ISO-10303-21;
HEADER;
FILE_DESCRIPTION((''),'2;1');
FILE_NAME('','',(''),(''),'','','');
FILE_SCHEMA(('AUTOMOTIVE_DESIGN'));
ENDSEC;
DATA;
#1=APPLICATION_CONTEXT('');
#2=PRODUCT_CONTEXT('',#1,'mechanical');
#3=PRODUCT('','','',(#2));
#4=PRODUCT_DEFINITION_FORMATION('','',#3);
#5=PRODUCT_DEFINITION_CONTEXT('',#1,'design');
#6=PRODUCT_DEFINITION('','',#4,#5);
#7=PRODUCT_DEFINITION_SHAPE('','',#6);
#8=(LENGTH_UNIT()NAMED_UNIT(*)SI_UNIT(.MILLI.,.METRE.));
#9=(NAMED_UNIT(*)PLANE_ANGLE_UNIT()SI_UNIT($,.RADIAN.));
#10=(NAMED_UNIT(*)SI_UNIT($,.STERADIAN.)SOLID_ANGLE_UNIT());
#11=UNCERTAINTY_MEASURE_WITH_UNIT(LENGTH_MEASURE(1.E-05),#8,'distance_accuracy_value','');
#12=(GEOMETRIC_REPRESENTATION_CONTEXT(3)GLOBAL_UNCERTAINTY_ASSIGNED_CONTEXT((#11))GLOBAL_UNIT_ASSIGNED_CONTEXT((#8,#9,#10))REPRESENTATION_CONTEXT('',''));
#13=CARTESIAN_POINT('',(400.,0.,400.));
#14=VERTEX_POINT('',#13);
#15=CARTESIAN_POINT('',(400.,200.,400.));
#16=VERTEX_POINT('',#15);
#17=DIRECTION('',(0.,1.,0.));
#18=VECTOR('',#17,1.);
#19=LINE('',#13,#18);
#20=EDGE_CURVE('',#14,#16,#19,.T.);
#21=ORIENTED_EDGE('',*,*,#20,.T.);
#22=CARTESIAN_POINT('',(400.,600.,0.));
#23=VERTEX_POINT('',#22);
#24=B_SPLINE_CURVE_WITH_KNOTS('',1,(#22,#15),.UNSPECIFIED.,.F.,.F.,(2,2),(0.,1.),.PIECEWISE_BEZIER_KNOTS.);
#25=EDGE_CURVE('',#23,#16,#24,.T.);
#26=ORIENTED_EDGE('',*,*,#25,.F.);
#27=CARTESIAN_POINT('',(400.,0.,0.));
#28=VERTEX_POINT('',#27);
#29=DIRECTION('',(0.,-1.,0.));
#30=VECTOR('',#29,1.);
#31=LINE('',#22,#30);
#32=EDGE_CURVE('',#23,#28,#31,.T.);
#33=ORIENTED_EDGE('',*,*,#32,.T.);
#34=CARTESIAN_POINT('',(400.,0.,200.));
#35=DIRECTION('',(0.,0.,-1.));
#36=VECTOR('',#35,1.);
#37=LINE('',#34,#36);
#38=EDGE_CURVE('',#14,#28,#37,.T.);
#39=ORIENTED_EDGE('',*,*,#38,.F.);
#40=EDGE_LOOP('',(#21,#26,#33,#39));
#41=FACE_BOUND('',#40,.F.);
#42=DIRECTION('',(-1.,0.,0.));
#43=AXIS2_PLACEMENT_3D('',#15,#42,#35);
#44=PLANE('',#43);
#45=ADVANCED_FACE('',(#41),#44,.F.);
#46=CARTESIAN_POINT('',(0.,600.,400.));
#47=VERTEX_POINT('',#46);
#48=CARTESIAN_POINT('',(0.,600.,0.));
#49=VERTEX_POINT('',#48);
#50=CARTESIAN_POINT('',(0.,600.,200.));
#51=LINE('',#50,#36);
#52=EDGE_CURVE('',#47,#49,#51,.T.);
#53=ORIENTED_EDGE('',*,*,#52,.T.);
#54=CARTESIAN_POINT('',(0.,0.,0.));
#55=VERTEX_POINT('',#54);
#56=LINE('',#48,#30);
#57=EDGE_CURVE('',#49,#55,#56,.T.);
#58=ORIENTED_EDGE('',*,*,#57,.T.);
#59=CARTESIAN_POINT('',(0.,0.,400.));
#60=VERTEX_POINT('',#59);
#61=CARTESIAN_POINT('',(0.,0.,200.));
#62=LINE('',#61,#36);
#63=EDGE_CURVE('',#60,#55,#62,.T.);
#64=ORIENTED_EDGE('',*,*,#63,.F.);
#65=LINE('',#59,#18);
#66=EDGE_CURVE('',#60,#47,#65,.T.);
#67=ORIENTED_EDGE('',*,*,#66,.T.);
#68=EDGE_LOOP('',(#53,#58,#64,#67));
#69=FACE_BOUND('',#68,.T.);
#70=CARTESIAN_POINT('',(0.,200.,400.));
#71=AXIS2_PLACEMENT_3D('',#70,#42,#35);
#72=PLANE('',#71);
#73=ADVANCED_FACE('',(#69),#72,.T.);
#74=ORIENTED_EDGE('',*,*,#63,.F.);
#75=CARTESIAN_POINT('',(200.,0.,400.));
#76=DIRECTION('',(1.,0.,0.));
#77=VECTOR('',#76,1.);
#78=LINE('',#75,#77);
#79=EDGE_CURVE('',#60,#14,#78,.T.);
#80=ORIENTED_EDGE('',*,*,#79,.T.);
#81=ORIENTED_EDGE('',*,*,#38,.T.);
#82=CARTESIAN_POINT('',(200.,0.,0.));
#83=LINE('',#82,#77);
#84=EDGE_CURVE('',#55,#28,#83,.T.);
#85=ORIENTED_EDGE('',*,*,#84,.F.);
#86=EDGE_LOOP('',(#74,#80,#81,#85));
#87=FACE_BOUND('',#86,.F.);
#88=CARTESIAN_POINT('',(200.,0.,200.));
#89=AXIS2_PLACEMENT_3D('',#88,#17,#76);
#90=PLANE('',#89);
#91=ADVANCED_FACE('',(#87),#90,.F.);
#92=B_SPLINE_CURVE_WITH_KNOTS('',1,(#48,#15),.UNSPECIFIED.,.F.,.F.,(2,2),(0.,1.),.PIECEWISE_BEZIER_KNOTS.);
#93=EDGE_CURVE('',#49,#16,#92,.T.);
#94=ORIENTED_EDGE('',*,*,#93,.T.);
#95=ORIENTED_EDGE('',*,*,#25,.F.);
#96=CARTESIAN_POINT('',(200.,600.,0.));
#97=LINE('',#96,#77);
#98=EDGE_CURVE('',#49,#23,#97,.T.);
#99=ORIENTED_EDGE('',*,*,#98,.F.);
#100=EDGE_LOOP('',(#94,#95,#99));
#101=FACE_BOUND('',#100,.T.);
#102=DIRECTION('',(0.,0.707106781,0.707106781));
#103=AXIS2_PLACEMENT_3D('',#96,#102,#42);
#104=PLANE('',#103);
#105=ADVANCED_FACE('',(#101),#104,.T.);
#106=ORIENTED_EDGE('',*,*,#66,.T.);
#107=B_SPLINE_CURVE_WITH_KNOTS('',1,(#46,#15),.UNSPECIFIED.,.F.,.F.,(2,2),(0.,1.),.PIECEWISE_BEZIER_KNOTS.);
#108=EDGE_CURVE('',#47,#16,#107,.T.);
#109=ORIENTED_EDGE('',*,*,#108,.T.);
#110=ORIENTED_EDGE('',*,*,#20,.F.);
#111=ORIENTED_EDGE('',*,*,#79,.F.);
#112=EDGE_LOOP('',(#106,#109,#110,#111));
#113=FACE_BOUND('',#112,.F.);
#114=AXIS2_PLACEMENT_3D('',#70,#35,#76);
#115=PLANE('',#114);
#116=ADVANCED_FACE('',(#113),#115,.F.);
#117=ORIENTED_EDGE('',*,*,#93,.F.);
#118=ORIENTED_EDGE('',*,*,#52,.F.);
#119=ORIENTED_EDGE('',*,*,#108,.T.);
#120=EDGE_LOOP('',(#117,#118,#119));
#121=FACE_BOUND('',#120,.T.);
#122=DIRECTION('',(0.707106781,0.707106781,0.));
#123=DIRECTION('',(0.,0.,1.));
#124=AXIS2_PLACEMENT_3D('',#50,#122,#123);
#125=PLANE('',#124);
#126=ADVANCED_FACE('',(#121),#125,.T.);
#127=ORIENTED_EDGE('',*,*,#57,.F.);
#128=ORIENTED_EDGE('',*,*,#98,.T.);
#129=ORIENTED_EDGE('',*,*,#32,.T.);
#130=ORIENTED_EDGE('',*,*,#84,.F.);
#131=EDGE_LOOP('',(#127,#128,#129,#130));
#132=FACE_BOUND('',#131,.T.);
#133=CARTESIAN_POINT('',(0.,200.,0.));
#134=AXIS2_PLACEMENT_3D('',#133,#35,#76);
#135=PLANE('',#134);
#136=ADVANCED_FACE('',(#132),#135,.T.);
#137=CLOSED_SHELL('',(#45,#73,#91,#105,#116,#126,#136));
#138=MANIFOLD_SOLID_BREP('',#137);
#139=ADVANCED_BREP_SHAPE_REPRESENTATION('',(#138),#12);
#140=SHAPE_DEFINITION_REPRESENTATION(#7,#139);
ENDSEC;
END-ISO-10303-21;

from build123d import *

# Parameters (mm, degrees)
SKIZZE1_W                       = 400
SKIZZE1_H                       = 400
AUFSATZ_LINEAR_AUSTRAGEN1_DEPTH = 200
SKIZZE2_W                       = 400
SKIZZE2_H                       = 400
AUFSATZ_LINEAR_AUSTRAGEN2_DEPTH = 400
SKIZZE3_W                       = 400
SKIZZE3_H                       = 400


with BuildPart() as part:
    # Skizze1 → Aufsatz-Linear austragen1 (new body)
    with BuildSketch(Plane(origin=(0, 0, 0), x_dir=(1, 0, 0), z_dir=(0, 1, 0))):
        with Locations((200, -200)):
            Rectangle(SKIZZE1_W, SKIZZE1_H)
    extrude(amount=AUFSATZ_LINEAR_AUSTRAGEN1_DEPTH)

    # Skizze2 → Aufsatz-Linear austragen2 (add)
    with BuildSketch(Plane(origin=(0, 200, 0), x_dir=(1, 0, 0), z_dir=(0, 1, 0))):
        with Locations((200, -200)):
            Rectangle(SKIZZE2_W, SKIZZE2_H)
    extrude(amount=AUFSATZ_LINEAR_AUSTRAGEN2_DEPTH)

    # Skizze3 → Schnitt-Ausformung1 section 0
    with BuildSketch(Plane(origin=(0, 600, 0), x_dir=(1, 0, 0), z_dir=(0, 1, 0)), mode=Mode.PRIVATE) as schnitt_ausformung1_s0:
        with Locations((200, -200)):
            Rectangle(SKIZZE3_W, SKIZZE3_H)
    loft([schnitt_ausformung1_s0.sketch, Vertex(400, 200, 400)], mode=Mode.SUBTRACT)


solid = part.part
